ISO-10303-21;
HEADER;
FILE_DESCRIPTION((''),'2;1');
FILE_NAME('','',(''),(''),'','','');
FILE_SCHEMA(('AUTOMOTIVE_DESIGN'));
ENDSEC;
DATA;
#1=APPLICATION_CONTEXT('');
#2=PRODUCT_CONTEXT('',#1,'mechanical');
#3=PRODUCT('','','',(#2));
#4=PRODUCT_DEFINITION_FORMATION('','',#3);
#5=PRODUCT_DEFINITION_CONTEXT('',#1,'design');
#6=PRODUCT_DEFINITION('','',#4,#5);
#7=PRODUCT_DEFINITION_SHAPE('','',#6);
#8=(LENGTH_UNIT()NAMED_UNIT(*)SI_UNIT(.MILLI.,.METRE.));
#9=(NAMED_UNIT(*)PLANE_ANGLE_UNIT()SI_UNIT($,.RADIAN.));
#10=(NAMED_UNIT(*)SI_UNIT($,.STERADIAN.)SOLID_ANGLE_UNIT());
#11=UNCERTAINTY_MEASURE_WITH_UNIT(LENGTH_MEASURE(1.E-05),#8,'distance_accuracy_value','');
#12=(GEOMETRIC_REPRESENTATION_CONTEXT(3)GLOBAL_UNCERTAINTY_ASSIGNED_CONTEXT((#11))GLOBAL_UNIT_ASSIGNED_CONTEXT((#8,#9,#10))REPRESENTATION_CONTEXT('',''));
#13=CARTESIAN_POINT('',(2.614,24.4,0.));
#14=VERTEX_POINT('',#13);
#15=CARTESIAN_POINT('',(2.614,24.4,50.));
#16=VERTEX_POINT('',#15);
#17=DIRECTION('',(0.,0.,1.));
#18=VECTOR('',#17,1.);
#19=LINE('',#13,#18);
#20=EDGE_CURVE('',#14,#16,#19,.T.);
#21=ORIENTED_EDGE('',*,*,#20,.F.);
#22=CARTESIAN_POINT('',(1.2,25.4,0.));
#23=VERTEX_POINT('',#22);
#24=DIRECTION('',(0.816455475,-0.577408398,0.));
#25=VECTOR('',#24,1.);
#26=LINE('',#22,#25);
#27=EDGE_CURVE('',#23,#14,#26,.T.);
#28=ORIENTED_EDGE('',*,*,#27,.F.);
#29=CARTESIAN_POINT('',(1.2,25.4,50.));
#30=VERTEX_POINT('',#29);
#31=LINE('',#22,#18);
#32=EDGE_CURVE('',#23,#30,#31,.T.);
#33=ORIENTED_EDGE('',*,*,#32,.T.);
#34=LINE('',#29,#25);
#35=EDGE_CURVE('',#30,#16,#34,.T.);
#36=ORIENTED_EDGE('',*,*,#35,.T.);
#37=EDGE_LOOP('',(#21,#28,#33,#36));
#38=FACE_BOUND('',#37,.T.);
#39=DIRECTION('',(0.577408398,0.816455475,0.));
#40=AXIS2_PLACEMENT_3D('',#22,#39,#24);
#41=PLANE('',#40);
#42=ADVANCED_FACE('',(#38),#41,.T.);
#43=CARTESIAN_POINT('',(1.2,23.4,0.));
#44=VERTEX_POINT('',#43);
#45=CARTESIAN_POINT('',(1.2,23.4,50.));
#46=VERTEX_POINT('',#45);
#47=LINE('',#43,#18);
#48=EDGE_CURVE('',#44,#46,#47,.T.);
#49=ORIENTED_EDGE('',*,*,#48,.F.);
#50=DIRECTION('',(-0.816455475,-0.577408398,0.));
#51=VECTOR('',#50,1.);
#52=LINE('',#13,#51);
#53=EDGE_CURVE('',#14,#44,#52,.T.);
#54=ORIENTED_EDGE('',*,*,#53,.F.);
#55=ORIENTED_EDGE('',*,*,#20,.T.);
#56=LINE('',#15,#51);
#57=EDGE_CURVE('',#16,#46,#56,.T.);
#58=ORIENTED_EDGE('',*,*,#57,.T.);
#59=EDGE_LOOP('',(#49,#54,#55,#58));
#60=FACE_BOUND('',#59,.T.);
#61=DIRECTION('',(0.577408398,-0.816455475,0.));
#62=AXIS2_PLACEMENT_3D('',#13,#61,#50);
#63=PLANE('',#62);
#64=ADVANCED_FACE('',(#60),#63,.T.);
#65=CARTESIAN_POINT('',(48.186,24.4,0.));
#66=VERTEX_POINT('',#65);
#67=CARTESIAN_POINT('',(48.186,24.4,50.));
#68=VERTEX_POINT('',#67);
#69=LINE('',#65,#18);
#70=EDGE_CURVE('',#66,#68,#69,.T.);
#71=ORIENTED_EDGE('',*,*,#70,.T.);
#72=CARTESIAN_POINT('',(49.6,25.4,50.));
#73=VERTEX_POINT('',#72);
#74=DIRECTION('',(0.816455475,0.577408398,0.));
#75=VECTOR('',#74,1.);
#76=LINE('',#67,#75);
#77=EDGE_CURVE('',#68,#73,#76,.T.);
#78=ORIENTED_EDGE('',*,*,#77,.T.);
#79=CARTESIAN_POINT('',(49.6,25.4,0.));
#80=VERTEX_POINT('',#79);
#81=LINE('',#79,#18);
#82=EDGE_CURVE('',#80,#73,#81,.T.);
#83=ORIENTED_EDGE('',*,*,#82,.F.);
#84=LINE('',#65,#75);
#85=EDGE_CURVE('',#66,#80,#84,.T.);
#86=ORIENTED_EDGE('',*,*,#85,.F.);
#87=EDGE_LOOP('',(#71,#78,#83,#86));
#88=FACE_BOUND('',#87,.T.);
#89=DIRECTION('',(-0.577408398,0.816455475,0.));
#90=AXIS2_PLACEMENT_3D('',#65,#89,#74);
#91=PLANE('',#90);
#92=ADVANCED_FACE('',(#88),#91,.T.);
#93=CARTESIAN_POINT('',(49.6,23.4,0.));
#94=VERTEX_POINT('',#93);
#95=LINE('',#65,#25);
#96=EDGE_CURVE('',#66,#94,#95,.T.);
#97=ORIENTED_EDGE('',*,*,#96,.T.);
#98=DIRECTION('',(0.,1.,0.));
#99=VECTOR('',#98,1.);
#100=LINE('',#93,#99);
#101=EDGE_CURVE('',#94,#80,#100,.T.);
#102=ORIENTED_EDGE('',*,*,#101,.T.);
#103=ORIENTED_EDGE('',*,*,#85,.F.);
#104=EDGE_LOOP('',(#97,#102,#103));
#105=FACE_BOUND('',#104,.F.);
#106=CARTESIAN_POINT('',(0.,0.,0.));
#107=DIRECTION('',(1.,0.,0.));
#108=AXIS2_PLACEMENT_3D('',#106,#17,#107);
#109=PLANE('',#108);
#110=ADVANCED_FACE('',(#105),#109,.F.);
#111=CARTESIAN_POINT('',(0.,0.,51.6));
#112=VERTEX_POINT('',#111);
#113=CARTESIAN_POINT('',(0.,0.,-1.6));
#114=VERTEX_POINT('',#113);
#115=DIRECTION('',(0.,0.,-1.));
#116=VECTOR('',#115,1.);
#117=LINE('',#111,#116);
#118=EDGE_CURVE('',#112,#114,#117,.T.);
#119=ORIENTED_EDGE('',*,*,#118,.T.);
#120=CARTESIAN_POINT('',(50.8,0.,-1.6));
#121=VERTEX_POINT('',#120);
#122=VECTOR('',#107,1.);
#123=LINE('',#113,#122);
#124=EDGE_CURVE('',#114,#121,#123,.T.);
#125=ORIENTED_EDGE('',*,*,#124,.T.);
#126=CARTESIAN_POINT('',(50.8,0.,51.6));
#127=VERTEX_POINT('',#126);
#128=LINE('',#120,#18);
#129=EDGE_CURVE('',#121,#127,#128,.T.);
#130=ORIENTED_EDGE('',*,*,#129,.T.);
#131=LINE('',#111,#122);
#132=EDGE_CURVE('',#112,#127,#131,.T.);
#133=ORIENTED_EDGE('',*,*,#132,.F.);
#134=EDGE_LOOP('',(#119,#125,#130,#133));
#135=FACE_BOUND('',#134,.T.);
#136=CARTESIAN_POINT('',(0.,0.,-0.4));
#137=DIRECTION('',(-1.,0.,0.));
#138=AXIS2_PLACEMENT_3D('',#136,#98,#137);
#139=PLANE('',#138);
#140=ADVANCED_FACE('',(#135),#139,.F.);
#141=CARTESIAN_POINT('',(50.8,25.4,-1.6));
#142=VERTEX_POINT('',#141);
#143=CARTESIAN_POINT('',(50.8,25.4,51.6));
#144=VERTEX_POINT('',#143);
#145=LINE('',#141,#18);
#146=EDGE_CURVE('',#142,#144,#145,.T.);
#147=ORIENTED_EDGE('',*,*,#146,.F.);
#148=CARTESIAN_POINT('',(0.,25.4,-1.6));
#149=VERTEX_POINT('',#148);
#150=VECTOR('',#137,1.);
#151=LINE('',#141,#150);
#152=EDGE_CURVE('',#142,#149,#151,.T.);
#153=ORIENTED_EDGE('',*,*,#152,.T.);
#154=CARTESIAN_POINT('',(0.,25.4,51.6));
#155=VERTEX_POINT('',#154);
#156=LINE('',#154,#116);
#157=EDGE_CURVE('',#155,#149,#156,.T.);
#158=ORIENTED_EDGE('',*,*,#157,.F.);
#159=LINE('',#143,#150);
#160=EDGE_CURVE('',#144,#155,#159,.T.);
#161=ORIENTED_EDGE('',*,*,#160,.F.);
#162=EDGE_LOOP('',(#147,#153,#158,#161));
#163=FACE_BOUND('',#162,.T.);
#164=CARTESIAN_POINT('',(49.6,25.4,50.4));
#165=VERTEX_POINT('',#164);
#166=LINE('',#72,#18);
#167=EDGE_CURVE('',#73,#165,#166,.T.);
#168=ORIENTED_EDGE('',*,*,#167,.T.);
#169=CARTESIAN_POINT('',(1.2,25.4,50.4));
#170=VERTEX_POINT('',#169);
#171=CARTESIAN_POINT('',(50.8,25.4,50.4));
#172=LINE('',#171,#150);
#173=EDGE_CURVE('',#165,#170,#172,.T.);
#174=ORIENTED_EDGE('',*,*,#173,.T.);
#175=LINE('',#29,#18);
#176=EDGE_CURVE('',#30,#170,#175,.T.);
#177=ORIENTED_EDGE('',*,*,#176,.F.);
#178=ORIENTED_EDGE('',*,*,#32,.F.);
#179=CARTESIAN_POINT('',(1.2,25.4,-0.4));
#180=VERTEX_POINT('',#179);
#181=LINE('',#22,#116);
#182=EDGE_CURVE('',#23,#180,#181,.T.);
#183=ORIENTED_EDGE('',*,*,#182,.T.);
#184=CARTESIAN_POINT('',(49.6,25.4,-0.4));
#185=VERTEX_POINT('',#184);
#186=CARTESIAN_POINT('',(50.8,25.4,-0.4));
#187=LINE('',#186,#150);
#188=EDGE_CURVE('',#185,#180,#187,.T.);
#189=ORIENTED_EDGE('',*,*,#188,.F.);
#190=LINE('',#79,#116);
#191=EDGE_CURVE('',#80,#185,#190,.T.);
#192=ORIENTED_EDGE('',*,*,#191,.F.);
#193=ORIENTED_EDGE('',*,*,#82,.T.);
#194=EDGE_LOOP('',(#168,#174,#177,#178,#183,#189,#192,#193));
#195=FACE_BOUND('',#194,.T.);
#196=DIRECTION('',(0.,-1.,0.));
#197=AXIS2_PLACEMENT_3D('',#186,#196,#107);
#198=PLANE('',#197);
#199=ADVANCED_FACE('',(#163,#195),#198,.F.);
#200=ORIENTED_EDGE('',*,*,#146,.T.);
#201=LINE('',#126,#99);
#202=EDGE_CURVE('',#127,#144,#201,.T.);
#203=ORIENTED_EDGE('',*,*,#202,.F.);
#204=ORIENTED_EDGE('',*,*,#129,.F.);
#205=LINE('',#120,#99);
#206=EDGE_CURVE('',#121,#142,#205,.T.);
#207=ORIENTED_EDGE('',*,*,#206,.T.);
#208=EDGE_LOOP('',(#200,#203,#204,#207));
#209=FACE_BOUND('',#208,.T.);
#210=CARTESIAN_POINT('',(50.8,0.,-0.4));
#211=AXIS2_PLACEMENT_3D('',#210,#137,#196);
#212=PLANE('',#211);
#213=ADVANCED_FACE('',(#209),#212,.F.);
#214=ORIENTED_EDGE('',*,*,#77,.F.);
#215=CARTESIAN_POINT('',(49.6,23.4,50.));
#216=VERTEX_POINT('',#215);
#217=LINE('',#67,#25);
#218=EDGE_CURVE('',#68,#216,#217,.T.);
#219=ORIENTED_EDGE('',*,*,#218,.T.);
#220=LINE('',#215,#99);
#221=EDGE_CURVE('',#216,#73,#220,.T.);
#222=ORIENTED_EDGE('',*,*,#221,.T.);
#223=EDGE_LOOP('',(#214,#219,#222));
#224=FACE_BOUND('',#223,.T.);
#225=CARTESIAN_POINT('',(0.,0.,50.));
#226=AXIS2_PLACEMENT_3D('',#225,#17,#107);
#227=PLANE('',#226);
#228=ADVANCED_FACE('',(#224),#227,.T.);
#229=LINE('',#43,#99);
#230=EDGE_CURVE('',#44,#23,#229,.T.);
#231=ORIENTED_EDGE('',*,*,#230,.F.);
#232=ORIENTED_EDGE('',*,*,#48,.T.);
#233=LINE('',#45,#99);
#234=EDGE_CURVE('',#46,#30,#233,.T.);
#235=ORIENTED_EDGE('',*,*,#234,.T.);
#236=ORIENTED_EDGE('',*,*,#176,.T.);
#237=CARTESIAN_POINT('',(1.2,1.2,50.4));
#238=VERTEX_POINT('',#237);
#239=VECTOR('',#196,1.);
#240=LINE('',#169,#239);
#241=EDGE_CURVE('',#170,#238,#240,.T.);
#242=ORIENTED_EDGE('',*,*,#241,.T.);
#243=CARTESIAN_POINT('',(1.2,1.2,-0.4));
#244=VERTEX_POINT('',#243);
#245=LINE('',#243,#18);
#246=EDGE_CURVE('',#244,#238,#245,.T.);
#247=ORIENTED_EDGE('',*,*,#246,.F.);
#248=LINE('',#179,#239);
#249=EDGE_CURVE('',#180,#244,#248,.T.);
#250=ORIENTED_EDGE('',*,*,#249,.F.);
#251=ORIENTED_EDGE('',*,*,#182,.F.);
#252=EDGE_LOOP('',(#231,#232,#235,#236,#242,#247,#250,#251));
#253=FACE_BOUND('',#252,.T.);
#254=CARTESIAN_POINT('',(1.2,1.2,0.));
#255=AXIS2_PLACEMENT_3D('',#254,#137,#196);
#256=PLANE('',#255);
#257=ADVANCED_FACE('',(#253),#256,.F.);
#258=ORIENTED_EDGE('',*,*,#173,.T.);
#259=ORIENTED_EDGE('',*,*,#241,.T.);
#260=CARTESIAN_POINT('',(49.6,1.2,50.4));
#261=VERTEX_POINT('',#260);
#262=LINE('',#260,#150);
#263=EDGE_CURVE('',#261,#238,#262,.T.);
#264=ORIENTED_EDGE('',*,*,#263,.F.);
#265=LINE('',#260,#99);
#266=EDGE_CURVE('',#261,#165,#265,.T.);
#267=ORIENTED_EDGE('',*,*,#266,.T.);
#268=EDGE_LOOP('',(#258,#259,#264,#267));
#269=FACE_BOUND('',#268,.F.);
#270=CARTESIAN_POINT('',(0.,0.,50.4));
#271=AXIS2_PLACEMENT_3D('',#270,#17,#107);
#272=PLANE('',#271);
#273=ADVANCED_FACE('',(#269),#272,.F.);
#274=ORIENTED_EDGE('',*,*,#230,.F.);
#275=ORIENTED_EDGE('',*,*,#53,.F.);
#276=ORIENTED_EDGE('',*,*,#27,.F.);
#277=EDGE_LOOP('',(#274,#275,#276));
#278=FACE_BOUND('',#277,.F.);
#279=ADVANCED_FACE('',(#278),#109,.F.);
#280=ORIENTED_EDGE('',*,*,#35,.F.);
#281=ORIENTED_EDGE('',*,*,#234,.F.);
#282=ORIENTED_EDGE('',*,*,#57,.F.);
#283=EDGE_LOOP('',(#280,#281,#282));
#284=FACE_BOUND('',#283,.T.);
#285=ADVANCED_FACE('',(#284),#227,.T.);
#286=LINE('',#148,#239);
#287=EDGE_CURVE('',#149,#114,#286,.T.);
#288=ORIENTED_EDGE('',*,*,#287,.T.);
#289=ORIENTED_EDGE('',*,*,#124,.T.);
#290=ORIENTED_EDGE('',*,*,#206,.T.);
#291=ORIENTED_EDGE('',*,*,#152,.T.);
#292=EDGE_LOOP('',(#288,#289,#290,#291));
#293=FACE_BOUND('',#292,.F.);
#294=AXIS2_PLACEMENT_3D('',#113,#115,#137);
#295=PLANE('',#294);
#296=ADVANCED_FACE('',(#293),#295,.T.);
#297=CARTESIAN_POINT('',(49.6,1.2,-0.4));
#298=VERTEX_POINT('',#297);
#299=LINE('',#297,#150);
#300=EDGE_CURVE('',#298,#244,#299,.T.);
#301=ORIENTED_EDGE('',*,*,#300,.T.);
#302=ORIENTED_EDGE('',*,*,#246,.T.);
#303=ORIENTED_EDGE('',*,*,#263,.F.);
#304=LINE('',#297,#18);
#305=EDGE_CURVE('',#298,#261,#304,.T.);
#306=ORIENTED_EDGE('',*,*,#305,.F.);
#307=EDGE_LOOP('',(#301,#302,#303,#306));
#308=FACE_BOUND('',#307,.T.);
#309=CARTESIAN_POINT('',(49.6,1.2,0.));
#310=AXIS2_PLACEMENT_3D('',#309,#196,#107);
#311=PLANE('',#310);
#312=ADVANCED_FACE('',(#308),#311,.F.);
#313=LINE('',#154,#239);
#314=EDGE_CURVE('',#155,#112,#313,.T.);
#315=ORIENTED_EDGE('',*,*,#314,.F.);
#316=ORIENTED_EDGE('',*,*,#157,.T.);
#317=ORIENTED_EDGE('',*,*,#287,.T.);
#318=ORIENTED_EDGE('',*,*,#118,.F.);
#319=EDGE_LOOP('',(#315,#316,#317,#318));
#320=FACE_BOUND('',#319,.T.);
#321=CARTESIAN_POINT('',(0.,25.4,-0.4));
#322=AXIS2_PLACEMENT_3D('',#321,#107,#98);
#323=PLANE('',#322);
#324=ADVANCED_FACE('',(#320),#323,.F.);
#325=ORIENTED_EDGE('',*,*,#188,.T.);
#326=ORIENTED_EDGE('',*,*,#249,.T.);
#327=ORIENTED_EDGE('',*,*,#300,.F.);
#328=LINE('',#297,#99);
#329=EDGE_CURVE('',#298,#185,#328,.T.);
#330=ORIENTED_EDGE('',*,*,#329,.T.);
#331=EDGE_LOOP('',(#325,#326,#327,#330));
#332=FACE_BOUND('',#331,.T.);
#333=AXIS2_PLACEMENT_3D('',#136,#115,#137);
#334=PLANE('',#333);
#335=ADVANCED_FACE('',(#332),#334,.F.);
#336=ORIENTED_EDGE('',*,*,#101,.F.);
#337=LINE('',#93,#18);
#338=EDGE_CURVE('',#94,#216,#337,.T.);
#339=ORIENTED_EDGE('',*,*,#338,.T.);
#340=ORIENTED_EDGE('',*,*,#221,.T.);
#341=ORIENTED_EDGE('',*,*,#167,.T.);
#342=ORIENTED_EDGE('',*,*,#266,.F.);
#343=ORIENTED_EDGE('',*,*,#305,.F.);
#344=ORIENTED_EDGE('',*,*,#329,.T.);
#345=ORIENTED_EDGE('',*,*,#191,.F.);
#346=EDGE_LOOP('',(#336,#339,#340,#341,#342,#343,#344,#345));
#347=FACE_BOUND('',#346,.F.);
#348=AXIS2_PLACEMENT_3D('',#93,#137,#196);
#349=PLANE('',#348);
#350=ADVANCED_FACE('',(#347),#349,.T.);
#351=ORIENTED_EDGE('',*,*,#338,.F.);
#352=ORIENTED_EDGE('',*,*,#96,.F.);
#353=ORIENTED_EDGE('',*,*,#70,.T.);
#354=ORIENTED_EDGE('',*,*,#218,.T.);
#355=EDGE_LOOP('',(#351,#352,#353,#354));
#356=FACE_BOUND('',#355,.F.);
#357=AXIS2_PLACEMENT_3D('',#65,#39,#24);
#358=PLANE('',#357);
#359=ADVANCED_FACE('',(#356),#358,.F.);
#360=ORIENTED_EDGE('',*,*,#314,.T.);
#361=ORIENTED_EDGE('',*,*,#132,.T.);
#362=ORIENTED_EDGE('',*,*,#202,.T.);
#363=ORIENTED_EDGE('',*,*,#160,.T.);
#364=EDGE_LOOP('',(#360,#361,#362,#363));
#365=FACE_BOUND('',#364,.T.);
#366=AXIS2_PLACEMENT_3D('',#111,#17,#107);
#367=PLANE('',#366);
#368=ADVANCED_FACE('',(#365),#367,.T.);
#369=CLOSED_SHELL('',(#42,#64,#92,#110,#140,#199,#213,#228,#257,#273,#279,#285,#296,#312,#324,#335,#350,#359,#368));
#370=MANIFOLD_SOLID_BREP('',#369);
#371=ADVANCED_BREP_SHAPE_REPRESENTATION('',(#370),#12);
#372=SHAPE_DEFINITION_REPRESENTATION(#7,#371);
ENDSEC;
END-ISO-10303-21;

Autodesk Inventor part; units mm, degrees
ref_plane "YZ Plane" through (0, 0, 0) normal (1, 0, 0) x (0, 1, 0)
ref_plane "XZ Plane" through (0, 0, 0) normal (0, 1, 0) x (-1, 0, 0)
ref_plane "XY Plane" through (0, 0, 0) normal (0, 0, 1) x (1, 0, 0)
sketch "Sketch1" plane through (0, 0, 0) normal (0, 0, 1) x (1, 0, 0)
  line L0 (0, 0) -> (50.8, 0)
  line L1 (50.8, 0) -> (50.8, 25.4)
  line L2 (0, 25.4) -> (0, 0)
  line L3 (1.2, 1.2) -> (49.6, 1.2)
  line L4 (49.6, 1.2) -> (49.6, 23.4)
  line L5 (1.2, 23.4) -> (1.2, 1.2)
  line L6 (50.8, 25.4) -> (49.6, 25.4)
  line L7 (1.2, 25.4) -> (0, 25.4)
  line L8 (2.614, 24.4) -> (1.2, 23.4)
  line L9 (1.2, 25.4) -> (2.614, 24.4)
  line L10 (48.186, 24.4) -> (49.6, 25.4)
  line L11 (48.186, 24.4) -> (49.6, 23.4)
  line L12 (1.2, 25.4) -> (1.2, 23.4) construction
  line L13 (1.2, 24.4) -> (2.614, 24.4) construction
  line L14 (49.6, 23.4) -> (49.6, 25.4) construction
  line L15 (49.6, 24.4) -> (48.186, 24.4) construction
  dimension "Width" = 50.8
  dimension "Height" = 25.4
  dimension "Offset" = 1.2
  dimension "LeftEdge" = 1.2
  dimension "RightEdge" = 1.2
  dimension "LT_Height" = 2
  dimension "LT_Width" = 1.414
  dimension "RT_Width" = 1.414
  dimension "RT_Height" = 2
extrude "Extrusion1" add sketch "Sketch1" along normal blind 50
sketch "Sketch2" plane through (0, 0, 50) normal (0, 0, 1) x (1, 0, 0)
  line L0 (0, 25.4) -> (0, 0) projected
  line L1 (0, 0) -> (50.8, 0) projected
  line L2 (50.8, 0) -> (50.8, 25.4) projected
  line L3 (50.8, 25.4) -> (49.6, 25.4) projected
  line L4 (49.6, 25.4) -> (48.186, 24.4) projected
  line L5 (48.186, 24.4) -> (49.6, 23.4) projected
  line L6 (49.6, 23.4) -> (49.6, 1.2) projected
  line L7 (49.6, 1.2) -> (1.2, 1.2) projected
  line L8 (1.2, 1.2) -> (1.2, 23.4) projected
  line L9 (1.2, 23.4) -> (2.614, 24.4) projected
  line L10 (2.614, 24.4) -> (1.2, 25.4) projected
  line L11 (1.2, 25.4) -> (0, 25.4) projected
  line L12 (1.2, 23.4) -> (1.2, 25.4)
  line L13 (1.2, 1.2) -> (1.2, 23.4) projected
  line L14 (49.6, 23.4) -> (49.6, 25.4)
extrude "Extrusion2" add sketch "Sketch2" along normal blind 0.4 contours L11 L12 L8 L7 L6 L14 L3 L2 L1 L0
sketch "Sketch3" plane through (0, 0, 50.4) normal (0, 0, 1) x (1, 0, 0)
  line L0 (50.8, 0) -> (50.8, 25.4) projected
  line L1 (0, 0) -> (50.8, 0)
  line L2 (50.8, 0) -> (50.8, 25.4)
  line L3 (50.8, 25.4) -> (0, 25.4)
  line L4 (0, 25.4) -> (0, 0)
ref_plane "Work Plane1" through (0, 0, 25) normal (0, 0, 1) x (1, 0, 0)
extrude "Extrusion3" add sketch "Sketch3" along normal blind 1.2
mirror "Mirror1" about plane through (0, 0, 25) normal (0, 0, 1) of "Extrusion3", "Extrusion2"
equation "\"LeftEdge\" = Offset"
equation "\"RightEdge\" = Offset"
equation "\"RT_Width\" = LT_Width"
equation "\"RT_Height\" = LT_Height"
properties part number "channel_base"
